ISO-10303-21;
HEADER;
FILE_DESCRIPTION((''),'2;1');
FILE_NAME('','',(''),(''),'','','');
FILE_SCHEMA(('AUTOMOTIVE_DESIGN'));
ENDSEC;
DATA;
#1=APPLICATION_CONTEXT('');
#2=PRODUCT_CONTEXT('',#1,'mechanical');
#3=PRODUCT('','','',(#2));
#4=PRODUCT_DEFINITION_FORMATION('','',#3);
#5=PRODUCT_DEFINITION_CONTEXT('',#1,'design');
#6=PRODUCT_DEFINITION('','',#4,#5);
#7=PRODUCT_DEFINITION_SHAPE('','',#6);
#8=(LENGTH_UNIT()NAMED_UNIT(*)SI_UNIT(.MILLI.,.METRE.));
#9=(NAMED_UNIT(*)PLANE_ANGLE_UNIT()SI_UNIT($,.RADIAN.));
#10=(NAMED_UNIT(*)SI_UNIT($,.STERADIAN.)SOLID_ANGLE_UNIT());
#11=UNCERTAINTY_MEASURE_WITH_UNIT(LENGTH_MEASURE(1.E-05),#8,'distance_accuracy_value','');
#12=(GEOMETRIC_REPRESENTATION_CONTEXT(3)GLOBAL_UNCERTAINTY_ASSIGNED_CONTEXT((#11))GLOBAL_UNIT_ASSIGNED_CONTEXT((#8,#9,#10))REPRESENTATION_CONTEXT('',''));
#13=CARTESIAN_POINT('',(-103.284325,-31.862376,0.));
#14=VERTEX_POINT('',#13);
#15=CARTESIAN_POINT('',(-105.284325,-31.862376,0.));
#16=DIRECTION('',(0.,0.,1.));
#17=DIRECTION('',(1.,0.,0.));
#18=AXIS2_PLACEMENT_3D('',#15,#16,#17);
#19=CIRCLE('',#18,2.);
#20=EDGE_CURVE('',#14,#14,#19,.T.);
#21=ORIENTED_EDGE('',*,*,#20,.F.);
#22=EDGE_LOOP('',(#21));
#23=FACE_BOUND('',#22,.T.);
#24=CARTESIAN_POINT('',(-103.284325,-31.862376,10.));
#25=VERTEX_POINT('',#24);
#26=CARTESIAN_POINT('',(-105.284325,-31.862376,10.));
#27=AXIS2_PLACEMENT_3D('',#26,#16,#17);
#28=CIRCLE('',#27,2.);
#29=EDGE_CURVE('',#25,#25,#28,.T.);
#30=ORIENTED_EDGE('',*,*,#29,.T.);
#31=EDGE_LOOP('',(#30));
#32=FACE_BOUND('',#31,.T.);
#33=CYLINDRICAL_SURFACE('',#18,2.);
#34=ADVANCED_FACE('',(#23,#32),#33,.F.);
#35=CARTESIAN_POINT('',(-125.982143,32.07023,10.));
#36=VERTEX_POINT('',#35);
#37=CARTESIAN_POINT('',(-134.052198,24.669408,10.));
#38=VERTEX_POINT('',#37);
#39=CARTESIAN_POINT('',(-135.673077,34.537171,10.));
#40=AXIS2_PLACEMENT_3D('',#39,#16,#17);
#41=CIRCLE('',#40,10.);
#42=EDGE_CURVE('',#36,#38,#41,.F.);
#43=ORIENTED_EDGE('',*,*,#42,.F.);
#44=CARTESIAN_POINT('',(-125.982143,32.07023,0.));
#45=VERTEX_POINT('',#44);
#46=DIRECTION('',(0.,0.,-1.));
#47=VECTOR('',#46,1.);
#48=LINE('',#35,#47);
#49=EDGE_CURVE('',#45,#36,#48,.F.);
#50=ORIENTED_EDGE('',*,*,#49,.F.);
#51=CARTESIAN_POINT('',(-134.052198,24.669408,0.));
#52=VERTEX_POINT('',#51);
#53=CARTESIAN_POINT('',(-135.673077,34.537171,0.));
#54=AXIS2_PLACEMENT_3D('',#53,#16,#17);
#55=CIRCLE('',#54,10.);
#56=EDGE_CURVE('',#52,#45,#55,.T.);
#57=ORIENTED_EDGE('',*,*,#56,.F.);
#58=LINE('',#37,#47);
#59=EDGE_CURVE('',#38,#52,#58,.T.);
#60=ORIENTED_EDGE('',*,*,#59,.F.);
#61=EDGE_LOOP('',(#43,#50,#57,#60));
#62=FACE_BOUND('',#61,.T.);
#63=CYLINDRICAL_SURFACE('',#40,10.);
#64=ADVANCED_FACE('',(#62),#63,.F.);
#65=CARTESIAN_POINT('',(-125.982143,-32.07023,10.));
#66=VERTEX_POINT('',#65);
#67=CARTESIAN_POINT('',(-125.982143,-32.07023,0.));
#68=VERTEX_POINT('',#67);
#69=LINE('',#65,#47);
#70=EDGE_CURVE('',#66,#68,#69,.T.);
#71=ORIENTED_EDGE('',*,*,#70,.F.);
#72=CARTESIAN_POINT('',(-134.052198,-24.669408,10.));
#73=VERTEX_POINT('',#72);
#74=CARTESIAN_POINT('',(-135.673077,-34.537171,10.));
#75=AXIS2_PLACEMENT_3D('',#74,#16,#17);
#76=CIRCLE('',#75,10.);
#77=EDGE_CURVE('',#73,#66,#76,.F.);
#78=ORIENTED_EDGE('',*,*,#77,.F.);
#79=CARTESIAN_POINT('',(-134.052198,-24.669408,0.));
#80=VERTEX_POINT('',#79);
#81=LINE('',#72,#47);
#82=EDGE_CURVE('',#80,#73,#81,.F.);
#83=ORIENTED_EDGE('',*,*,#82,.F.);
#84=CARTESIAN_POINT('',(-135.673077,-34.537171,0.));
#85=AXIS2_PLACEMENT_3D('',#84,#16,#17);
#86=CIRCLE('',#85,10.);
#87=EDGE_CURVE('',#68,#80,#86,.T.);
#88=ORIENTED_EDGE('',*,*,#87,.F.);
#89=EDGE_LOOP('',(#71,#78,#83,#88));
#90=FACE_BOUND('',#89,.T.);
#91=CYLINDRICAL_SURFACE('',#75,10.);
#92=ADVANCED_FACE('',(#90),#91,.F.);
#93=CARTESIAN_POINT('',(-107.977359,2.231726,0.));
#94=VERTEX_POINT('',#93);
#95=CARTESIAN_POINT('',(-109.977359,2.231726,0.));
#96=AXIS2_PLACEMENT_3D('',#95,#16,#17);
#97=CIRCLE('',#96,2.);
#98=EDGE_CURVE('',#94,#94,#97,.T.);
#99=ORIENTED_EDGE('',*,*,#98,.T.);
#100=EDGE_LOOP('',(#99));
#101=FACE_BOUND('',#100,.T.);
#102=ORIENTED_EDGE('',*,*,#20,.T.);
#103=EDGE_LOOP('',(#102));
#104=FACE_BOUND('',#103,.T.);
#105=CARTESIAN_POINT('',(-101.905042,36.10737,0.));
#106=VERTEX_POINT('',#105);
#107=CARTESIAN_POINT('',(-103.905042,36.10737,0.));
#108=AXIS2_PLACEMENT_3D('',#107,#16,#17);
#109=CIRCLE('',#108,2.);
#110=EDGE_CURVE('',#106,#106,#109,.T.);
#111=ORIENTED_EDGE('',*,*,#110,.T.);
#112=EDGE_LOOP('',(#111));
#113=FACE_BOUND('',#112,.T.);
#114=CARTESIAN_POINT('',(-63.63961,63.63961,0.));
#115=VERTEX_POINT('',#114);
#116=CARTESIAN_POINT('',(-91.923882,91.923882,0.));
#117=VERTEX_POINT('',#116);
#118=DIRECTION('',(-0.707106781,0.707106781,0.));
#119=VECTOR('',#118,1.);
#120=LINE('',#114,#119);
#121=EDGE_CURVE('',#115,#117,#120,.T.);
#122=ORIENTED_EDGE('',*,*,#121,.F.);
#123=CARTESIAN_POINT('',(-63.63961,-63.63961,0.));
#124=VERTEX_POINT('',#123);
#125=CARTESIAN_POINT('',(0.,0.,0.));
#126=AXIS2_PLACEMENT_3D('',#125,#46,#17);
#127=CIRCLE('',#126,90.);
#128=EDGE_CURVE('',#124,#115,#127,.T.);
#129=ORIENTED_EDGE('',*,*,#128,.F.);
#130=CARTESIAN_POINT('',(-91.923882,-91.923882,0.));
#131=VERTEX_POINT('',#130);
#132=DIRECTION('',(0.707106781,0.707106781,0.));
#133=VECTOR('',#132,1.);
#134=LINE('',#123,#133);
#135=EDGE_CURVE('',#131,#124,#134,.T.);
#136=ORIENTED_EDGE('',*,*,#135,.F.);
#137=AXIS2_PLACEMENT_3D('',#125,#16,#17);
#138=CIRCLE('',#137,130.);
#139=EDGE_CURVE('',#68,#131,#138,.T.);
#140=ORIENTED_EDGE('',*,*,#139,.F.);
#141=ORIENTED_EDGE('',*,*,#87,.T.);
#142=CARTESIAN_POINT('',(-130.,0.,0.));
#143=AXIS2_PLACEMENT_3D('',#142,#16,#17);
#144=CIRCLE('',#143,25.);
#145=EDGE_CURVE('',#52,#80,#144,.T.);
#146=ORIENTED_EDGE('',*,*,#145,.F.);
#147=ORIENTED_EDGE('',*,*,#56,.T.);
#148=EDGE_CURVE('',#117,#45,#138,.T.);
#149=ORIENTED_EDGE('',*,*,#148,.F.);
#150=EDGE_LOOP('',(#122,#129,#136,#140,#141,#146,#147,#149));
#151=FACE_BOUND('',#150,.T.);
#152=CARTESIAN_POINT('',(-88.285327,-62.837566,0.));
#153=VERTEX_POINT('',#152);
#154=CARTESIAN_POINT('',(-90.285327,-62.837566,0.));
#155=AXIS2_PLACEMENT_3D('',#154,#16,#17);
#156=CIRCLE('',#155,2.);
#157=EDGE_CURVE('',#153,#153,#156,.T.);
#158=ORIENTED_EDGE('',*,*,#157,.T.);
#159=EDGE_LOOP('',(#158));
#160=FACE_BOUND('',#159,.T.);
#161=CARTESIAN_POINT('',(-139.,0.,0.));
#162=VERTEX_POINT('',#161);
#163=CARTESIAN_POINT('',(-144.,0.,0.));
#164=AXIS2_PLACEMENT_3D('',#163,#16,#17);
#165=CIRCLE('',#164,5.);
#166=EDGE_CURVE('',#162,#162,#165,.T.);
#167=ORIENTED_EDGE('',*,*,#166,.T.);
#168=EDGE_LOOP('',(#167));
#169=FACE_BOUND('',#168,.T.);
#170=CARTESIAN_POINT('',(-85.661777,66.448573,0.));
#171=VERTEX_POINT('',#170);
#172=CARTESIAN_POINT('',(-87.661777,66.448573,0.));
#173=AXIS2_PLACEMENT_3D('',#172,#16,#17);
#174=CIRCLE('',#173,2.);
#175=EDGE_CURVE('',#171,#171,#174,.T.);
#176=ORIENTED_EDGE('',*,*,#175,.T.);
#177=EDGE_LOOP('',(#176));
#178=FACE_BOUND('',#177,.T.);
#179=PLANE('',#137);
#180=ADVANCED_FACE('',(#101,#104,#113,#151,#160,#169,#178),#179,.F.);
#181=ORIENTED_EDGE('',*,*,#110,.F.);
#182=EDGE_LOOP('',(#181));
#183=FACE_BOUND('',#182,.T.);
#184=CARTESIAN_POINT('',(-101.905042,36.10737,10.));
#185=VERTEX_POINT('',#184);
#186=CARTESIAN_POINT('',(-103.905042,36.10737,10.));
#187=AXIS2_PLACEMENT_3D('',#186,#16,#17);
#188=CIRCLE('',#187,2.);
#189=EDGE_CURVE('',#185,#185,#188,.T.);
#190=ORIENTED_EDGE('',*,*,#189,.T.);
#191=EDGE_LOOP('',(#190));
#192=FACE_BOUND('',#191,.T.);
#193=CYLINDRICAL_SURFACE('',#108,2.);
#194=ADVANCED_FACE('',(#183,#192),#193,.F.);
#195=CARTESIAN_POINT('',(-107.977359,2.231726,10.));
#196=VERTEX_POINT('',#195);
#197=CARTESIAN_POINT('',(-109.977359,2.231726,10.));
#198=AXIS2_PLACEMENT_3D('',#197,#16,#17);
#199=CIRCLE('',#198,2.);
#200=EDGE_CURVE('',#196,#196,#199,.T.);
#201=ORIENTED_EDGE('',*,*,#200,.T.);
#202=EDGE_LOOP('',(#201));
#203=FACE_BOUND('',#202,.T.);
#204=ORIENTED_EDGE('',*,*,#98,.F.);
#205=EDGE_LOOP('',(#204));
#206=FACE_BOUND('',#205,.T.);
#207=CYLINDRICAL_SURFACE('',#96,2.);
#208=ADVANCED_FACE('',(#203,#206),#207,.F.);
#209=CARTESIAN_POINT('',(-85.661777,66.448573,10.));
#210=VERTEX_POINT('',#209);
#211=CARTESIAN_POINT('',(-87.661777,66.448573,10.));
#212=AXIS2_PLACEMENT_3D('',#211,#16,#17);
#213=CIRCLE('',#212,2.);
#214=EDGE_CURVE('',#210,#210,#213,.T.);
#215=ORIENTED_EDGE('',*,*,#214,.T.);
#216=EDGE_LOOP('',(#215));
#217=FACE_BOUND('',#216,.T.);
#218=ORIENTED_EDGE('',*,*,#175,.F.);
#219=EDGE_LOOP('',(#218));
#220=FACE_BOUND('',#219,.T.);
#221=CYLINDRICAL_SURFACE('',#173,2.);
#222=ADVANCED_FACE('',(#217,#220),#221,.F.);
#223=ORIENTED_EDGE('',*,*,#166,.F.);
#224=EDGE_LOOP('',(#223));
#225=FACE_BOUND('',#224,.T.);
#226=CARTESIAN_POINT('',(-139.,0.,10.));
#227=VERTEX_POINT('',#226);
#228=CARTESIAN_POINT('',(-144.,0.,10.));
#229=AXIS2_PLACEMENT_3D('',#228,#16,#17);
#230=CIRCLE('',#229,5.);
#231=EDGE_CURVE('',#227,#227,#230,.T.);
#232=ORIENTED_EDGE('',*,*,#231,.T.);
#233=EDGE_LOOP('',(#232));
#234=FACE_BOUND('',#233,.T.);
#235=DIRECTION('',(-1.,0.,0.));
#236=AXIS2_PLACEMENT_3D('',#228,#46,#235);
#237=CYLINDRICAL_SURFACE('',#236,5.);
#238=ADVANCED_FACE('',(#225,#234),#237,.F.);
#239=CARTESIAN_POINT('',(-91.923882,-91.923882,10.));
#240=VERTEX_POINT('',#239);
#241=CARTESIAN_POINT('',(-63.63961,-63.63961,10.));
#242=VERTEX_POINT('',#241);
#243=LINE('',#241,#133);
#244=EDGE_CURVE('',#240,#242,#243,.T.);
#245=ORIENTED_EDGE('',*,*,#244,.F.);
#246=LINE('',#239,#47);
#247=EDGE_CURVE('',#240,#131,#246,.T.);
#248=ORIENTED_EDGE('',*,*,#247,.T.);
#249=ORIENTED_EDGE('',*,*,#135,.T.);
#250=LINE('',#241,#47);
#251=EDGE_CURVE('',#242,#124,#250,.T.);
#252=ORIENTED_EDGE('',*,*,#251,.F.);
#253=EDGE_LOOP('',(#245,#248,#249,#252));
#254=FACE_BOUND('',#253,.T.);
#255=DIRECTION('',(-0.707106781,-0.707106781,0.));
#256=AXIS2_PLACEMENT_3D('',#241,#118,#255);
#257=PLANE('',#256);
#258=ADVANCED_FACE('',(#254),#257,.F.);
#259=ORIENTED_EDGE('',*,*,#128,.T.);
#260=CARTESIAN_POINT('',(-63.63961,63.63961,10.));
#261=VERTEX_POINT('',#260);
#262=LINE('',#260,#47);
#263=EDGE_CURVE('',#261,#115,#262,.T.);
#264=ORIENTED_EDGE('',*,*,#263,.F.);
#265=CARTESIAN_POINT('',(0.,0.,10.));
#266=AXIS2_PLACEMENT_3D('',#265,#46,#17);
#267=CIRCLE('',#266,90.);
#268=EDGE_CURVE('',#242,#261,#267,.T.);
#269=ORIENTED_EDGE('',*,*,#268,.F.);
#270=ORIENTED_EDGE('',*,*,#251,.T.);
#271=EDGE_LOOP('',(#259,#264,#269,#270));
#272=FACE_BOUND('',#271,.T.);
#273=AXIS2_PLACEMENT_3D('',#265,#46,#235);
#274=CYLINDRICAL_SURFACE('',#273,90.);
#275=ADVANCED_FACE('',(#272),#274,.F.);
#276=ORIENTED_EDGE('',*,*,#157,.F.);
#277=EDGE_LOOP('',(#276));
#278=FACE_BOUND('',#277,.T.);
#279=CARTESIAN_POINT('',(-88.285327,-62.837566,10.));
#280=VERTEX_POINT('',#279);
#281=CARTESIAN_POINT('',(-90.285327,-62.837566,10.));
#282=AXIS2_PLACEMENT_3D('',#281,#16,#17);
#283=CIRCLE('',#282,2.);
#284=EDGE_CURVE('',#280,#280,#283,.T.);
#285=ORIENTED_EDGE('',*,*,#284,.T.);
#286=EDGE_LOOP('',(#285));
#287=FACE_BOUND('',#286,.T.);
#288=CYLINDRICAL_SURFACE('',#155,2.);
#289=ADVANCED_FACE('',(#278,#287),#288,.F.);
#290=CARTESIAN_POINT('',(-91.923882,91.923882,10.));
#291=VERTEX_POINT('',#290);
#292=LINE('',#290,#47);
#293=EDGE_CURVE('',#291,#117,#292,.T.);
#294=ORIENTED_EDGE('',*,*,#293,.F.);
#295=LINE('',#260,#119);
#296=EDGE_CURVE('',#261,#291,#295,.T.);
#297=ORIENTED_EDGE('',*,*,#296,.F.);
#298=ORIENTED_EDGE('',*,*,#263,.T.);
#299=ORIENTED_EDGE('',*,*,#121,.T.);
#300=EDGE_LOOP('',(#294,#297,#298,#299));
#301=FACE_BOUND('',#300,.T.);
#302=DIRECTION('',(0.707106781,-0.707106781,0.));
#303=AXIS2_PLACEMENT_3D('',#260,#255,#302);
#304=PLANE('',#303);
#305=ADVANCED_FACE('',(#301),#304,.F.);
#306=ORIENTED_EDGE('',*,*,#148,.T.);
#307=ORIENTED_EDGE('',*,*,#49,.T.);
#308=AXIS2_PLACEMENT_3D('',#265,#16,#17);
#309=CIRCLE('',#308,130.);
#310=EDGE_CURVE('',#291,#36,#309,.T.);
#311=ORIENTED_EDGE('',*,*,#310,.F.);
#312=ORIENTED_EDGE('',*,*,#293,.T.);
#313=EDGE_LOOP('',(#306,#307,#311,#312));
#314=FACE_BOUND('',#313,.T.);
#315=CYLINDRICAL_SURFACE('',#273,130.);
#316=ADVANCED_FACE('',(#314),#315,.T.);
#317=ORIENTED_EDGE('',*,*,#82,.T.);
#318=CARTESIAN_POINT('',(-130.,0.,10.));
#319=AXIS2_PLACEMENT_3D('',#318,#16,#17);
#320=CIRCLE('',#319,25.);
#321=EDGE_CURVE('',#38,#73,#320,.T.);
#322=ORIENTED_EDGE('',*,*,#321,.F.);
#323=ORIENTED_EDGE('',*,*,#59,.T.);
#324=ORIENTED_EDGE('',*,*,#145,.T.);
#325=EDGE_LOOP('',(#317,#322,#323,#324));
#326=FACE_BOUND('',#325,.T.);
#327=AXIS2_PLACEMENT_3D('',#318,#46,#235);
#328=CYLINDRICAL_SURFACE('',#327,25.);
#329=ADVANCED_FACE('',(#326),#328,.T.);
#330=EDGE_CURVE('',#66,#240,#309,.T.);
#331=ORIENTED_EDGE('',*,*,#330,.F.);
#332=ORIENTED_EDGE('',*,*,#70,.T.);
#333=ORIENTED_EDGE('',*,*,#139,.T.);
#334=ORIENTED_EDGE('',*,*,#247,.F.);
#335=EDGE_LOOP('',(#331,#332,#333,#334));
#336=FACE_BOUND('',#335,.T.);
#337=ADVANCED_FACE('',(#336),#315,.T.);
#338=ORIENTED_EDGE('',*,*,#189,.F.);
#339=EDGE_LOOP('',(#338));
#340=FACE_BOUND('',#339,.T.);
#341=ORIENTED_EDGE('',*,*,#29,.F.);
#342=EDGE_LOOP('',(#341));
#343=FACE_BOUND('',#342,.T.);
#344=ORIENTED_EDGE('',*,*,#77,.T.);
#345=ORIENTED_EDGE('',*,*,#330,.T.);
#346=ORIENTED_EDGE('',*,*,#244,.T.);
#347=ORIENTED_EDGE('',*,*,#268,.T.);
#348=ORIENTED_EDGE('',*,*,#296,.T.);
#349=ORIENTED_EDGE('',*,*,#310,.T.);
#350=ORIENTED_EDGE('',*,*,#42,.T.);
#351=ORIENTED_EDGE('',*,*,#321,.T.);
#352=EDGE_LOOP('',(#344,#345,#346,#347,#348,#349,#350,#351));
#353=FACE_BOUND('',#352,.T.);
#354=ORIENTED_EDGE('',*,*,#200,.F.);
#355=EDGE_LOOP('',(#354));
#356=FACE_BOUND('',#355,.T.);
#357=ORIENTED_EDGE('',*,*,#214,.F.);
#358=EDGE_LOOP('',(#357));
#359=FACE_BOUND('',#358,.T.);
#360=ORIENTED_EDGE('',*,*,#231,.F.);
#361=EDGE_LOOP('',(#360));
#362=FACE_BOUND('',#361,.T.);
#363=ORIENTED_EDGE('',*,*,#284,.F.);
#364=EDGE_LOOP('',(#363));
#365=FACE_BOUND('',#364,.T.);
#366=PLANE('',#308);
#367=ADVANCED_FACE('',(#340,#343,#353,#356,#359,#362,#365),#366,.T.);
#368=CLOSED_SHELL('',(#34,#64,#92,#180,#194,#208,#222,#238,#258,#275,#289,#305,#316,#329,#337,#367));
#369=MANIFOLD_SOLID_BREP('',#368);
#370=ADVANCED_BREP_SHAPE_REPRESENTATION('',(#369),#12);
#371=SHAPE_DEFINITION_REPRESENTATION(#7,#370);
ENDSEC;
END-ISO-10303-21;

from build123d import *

# Parameters (mm, degrees)
SKETCH2_R           = 5
BOSS_EXTRUDE1_DEPTH = 10
FILLET1_R           = 10
SKETCH3_R           = 2
CUT_EXTRUDE1_DEPTH  = 181.48545662


with BuildPart() as part:
    # Sketch2 → Boss-Extrude1 (new body)
    with BuildSketch(Plane.XY):
        with BuildLine():
            Line((-63.639610307, 63.639610307), (-91.923881554, 91.923881554))
            ThreePointArc((-91.923881554, 91.923881554), (-114.764290969, 61.066828299), (-127.596153846, 24.884162105))
            ThreePointArc((-127.596153846, 24.884162105), (-155, 0), (-127.596153846, -24.884162105))
            ThreePointArc((-127.596153846, -24.884162105), (-114.764290969, -61.066828299), (-91.923881554, -91.923881554))
            Line((-91.923881554, -91.923881554), (-63.639610307, -63.639610307))
            ThreePointArc((-63.639610307, -63.639610307), (-90, 0), (-63.639610307, 63.639610307))
        make_face()
        with Locations((-144, 0)):
            Circle(SKETCH2_R, mode=Mode.SUBTRACT)
    extrude(amount=BOSS_EXTRUDE1_DEPTH)

    # Fillet1
    fillet1_edges = [part.edges().sort_by_distance(p)[0] for p in [
        (-127.596153846, -24.884162105, 5),
        (-127.596153846, 24.884162105, 5),
    ]]
    fillet(fillet1_edges, radius=FILLET1_R)

    # Sketch3 → Cut-Extrude1 (cut, through all)
    with BuildSketch(Plane.XY.offset(10)):
        with Locations((-87.661776755, 66.448573319)):
            Circle(SKETCH3_R)
        with Locations((-103.90504242, 36.107369879)):
            Circle(SKETCH3_R)
        with Locations((-109.977358585, 2.231725501)):
            Circle(SKETCH3_R)
        with Locations((-105.284324634, -31.862375719)):
            Circle(SKETCH3_R)
        with Locations((-90.285327428, -62.837565605)):
            Circle(SKETCH3_R)
    extrude(amount=-CUT_EXTRUDE1_DEPTH, mode=Mode.SUBTRACT)


solid = part.part
